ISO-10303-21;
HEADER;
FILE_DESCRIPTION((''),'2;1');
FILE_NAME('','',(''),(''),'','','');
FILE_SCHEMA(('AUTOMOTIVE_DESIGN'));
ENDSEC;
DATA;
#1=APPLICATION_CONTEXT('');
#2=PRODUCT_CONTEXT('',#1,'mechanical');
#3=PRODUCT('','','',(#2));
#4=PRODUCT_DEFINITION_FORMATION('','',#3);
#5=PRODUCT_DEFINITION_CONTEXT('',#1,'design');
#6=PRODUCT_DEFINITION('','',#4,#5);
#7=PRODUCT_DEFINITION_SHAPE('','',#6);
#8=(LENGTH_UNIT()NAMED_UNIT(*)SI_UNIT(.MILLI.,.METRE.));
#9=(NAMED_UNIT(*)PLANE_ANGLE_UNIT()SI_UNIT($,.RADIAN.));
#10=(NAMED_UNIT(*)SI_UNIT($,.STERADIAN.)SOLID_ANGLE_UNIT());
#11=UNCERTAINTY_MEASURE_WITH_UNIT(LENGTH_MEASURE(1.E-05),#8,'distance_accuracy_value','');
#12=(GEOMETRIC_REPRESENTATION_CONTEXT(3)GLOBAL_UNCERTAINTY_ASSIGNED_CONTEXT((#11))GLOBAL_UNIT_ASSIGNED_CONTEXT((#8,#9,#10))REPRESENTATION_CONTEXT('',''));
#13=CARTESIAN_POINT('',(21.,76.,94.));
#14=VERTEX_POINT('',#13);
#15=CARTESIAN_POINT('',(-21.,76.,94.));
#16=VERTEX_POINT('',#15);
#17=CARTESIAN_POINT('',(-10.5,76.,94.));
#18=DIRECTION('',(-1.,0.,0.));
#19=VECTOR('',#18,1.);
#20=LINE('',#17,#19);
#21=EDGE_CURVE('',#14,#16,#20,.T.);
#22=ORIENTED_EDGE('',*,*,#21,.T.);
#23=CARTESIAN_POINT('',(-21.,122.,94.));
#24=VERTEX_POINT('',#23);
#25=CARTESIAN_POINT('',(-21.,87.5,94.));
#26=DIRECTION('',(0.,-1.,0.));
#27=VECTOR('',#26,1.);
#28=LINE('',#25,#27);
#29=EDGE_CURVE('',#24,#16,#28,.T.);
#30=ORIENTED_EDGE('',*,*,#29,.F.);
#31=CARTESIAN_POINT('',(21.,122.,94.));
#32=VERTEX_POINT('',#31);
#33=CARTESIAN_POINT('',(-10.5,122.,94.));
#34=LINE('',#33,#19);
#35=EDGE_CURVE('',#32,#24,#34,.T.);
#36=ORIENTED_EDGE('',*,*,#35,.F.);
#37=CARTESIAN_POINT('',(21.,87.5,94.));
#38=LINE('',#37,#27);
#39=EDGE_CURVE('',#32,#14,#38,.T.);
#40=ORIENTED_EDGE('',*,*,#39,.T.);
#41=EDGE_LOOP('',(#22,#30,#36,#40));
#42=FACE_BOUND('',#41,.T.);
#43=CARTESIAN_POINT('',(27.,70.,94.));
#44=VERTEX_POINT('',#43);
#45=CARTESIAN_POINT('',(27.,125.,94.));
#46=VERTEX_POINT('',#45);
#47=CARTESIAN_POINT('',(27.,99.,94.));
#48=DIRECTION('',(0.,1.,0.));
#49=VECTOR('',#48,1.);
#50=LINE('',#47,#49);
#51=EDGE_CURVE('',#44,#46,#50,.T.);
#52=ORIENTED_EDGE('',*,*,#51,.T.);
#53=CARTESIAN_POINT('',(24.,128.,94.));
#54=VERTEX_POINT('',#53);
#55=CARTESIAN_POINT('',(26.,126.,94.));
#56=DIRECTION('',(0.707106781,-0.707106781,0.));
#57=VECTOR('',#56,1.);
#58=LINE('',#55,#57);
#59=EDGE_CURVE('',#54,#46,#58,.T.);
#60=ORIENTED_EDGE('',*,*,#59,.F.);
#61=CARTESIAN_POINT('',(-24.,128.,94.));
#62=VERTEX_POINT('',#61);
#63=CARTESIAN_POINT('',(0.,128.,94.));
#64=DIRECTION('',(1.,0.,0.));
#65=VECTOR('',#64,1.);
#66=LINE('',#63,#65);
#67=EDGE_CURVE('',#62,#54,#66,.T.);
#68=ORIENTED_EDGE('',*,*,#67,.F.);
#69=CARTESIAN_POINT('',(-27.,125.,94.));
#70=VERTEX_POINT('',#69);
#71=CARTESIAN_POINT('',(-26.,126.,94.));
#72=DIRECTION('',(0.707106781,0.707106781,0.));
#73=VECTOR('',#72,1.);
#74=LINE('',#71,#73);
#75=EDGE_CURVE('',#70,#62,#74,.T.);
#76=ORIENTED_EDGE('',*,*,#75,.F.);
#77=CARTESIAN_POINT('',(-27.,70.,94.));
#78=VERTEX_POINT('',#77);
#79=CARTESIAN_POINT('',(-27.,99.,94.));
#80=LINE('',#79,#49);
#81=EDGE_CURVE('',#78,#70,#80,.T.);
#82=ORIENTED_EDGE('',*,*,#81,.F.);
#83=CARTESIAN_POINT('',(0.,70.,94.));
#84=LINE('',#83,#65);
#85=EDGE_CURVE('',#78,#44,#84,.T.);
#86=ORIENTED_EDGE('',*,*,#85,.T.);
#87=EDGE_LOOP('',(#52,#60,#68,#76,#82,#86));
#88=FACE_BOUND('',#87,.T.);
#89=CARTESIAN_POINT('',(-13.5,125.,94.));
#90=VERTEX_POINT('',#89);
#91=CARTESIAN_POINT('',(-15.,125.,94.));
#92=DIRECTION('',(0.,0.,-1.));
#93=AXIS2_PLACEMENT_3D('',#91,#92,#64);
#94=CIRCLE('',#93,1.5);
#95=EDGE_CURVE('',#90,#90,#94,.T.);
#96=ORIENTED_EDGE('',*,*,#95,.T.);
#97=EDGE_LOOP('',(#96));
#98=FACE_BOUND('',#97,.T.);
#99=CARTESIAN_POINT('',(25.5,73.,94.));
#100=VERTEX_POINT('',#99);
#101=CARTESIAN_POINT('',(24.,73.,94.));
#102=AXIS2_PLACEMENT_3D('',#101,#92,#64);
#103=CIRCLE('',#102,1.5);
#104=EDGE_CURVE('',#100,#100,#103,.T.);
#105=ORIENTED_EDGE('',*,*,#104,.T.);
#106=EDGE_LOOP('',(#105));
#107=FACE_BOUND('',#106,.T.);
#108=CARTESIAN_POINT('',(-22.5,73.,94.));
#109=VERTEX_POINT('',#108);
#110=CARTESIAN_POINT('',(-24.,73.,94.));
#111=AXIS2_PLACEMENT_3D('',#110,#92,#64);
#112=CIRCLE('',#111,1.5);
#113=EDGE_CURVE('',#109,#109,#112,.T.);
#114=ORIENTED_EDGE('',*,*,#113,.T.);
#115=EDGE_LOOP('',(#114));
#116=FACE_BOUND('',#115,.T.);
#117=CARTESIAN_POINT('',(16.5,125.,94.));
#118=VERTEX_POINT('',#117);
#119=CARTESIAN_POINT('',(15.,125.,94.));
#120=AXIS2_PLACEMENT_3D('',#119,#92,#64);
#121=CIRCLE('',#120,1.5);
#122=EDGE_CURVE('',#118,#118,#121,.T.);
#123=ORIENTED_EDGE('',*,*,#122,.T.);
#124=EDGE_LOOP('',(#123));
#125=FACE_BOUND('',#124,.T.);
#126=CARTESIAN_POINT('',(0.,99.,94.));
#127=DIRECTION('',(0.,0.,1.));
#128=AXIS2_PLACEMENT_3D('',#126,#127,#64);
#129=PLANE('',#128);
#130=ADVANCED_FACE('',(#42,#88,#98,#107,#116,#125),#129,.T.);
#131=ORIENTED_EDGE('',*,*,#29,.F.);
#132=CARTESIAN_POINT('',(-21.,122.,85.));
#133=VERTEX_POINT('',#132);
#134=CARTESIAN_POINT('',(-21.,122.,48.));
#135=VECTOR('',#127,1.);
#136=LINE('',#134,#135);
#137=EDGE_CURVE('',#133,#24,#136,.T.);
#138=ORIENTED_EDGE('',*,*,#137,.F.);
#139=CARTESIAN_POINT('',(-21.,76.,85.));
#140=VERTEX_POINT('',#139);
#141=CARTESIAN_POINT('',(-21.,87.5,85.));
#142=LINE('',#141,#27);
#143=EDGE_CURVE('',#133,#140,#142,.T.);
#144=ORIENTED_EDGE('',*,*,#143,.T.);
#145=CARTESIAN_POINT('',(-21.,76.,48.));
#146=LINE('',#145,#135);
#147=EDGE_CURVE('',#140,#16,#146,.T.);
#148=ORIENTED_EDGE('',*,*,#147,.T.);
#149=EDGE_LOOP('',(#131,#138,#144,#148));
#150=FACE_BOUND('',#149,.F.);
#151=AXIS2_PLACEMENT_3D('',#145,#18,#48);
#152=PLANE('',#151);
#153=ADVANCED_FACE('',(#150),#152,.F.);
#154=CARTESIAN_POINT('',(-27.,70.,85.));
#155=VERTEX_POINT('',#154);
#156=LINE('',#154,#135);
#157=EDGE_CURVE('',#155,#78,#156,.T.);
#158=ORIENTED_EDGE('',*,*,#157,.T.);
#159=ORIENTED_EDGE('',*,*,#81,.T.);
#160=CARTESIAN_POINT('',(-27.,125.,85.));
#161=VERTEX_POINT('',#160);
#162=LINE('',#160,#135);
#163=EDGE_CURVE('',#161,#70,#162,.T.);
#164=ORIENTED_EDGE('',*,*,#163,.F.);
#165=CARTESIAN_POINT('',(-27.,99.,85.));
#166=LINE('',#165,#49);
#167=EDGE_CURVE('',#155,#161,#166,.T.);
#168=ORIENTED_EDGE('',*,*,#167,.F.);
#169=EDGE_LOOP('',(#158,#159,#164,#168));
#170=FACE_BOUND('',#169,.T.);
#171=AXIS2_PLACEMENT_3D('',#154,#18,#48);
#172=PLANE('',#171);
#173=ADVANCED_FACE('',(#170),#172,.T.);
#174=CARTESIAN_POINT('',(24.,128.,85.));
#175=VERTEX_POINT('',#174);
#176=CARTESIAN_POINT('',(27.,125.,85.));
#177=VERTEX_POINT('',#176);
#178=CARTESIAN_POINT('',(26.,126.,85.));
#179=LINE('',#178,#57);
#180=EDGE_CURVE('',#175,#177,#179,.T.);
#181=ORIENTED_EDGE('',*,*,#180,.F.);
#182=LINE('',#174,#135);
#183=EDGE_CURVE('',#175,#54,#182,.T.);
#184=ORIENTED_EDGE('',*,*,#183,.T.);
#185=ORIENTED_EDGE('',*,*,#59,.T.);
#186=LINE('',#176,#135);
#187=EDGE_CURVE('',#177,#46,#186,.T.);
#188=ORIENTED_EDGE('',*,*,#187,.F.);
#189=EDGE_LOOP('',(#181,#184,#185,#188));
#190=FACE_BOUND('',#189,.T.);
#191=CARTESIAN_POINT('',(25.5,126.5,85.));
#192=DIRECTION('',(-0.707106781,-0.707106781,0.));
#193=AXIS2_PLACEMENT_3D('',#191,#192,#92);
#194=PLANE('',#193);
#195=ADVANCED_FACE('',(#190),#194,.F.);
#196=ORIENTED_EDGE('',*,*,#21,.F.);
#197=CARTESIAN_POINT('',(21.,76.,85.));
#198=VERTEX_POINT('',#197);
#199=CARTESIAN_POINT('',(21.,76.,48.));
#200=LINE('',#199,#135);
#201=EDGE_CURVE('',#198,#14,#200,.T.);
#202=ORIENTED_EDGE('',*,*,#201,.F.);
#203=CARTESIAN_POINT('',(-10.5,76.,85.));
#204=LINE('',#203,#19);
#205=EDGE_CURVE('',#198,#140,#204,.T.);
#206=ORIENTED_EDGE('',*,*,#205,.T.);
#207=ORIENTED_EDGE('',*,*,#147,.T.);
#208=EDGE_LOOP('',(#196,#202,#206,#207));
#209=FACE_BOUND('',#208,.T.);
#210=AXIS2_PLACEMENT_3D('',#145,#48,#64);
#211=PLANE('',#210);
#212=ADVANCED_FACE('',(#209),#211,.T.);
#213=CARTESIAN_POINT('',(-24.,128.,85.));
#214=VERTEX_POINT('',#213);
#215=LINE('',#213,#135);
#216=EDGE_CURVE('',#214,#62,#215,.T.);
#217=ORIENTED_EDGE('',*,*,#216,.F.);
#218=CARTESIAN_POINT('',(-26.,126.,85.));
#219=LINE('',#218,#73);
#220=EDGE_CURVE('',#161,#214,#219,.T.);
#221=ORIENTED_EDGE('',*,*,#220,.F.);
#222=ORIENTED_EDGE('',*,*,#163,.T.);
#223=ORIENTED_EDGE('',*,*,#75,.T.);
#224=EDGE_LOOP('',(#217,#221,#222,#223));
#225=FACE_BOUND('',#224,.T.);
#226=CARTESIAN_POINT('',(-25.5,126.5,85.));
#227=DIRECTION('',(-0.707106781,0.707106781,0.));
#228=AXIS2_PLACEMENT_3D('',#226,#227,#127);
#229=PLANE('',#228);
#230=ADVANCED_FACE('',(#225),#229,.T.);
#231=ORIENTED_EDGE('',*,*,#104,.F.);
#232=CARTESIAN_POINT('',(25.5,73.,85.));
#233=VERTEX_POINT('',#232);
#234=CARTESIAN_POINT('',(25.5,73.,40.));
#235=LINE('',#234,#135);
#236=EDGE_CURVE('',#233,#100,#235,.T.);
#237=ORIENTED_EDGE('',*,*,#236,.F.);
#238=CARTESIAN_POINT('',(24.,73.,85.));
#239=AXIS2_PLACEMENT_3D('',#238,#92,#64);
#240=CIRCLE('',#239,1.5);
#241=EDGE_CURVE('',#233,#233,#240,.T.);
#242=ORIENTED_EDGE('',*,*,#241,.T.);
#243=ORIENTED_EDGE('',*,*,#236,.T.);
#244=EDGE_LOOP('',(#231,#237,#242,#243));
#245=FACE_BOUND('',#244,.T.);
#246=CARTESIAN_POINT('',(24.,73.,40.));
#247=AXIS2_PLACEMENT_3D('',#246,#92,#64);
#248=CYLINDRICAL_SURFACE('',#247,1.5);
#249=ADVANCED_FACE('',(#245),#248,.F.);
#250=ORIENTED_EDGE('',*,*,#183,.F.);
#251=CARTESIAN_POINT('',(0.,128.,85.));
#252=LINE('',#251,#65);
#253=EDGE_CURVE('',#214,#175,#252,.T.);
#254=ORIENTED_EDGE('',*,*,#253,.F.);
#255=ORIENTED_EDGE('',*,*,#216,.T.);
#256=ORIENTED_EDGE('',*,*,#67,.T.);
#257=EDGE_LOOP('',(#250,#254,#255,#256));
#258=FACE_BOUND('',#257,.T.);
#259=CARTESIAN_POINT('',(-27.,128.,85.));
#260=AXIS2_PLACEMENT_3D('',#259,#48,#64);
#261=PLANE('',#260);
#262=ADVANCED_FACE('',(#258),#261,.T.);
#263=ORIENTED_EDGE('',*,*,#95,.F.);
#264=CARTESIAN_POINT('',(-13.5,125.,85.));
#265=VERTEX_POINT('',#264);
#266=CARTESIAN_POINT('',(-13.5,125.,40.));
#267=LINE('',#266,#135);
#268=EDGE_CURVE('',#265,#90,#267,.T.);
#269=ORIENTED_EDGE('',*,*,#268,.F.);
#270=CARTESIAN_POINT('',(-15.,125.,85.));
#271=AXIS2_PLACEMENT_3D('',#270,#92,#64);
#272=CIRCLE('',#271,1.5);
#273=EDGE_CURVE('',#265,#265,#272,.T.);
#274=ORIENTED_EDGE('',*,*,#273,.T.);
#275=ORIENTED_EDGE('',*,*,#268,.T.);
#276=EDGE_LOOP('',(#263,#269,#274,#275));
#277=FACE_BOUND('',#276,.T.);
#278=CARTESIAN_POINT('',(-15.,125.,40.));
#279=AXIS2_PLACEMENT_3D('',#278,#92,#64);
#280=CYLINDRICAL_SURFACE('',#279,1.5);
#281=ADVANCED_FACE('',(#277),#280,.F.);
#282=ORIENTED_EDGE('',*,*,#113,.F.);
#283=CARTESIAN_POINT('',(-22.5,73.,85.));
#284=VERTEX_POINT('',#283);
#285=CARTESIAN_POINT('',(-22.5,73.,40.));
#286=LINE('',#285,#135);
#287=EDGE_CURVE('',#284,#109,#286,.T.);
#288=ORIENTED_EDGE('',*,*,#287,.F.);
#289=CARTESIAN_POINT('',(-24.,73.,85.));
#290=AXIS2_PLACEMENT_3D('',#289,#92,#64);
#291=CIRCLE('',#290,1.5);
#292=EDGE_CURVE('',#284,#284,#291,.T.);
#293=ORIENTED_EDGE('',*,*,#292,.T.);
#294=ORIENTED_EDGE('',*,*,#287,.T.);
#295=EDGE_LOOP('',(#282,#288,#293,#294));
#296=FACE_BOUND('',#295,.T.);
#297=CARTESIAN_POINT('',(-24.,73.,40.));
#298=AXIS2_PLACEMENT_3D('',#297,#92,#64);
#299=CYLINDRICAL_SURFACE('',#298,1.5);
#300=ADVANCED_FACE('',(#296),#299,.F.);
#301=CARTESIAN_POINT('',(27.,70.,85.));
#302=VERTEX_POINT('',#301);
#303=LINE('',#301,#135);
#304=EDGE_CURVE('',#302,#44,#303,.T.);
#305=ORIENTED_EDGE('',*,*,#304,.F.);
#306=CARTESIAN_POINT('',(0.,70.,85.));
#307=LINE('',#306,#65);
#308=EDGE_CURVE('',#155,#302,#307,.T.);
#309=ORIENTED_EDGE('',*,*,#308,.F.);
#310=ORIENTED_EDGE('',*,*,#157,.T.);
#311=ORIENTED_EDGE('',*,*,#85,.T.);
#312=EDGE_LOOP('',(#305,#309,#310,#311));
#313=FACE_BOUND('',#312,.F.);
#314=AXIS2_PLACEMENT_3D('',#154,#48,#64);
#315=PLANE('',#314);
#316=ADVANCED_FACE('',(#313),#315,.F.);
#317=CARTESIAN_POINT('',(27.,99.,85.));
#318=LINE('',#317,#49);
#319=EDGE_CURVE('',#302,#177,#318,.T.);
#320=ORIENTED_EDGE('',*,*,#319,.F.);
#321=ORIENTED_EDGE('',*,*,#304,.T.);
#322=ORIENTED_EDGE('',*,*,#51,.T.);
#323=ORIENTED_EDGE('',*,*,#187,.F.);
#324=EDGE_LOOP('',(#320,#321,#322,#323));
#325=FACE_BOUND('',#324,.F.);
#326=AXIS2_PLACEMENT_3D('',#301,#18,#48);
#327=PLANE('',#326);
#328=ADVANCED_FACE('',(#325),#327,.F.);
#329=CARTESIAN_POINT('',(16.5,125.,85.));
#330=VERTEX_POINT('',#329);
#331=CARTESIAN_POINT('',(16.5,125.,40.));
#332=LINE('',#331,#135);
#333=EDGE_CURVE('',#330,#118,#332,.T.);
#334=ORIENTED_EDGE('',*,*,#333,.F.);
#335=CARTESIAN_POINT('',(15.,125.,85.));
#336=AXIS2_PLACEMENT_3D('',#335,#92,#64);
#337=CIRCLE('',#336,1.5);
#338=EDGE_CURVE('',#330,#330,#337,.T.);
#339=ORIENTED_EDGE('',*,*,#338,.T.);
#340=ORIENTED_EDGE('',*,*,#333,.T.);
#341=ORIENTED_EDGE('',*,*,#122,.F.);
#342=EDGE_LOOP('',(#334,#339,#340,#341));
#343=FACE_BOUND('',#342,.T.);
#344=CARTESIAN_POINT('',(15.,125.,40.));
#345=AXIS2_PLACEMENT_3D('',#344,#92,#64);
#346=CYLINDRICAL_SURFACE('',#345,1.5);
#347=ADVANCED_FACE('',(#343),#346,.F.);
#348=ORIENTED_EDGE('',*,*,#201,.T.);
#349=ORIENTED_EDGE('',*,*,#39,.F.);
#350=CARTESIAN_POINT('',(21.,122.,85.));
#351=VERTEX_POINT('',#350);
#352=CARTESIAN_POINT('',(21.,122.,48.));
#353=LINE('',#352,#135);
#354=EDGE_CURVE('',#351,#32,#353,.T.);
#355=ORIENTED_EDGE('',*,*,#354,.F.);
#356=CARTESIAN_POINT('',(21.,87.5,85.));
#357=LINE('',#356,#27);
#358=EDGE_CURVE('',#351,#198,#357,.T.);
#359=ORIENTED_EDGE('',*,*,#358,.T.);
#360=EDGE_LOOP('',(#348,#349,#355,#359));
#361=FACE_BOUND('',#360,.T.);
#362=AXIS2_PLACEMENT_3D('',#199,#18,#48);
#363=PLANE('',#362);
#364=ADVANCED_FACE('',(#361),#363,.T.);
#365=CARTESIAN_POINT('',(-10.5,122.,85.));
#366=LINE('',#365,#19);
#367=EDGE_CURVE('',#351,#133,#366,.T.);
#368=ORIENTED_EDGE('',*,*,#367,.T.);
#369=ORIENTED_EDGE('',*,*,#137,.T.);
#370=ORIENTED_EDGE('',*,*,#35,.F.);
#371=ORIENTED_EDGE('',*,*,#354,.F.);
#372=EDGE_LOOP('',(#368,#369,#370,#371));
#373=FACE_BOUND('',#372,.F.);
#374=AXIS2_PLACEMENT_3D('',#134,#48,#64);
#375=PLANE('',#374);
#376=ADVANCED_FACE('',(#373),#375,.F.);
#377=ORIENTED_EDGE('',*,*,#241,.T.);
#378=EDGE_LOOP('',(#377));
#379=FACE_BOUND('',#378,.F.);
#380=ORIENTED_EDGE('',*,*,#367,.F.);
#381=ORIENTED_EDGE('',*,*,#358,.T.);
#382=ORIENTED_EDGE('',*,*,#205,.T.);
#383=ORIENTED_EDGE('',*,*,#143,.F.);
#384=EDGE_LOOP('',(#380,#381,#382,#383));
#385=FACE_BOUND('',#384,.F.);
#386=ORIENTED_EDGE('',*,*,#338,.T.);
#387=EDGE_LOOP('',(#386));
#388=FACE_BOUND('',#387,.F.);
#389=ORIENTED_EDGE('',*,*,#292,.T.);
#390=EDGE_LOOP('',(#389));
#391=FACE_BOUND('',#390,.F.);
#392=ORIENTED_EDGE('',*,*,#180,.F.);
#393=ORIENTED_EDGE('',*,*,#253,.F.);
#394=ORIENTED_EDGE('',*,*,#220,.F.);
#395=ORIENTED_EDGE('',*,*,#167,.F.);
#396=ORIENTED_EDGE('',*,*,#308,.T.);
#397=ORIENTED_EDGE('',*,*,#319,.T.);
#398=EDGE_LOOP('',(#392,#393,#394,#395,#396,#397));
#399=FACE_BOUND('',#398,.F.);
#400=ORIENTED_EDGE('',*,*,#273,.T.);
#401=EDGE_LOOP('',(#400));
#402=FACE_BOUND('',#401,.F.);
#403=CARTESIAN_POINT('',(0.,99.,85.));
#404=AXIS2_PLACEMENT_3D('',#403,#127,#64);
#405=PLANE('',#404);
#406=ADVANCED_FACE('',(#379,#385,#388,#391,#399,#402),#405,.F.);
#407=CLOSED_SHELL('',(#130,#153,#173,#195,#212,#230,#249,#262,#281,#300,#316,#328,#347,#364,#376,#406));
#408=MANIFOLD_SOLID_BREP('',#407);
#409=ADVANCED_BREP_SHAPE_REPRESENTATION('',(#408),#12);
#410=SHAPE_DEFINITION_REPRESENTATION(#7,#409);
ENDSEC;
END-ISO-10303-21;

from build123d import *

# Parameters (mm, degrees)
CYLINDER2800_R     = 1.5
CYLINDER2800_DEPTH = 60
CYLINDER2801_R     = 1.5
CYLINDER2801_DEPTH = 60
CYLINDER2802_R     = 1.5
CYLINDER2802_DEPTH = 60
CYLINDER2799_R     = 1.5
CYLINDER2799_DEPTH = 60
BOX1001_W          = 42
BOX1001_H          = 46
BOX1001_DEPTH      = 50
BOX1000_W          = 54
BOX1000_H          = 58
BOX1000_DEPTH      = 9
CHAMFER146_SIZE    = 3


with BuildPart() as v_lec2770:
    # Cylinder2800 → Cylinder2800 (new body)
    with BuildSketch(Plane(origin=(-24, 73, -80), x_dir=(1, 0, 0), z_dir=(0, 0, 1))):
        Circle(CYLINDER2800_R)
    extrude(amount=CYLINDER2800_DEPTH)


with BuildPart() as v_lec2771:
    # Cylinder2801 → Cylinder2801 (new body)
    with BuildSketch(Plane(origin=(-15, 125, -80), x_dir=(1, 0, 0), z_dir=(0, 0, 1))):
        Circle(CYLINDER2801_R)
    extrude(amount=CYLINDER2801_DEPTH)


with BuildPart() as v_lec2772:
    # Cylinder2802 → Cylinder2802 (new body)
    with BuildSketch(Plane(origin=(15, 125, -80), x_dir=(1, 0, 0), z_dir=(0, 0, 1))):
        Circle(CYLINDER2802_R)
    extrude(amount=CYLINDER2802_DEPTH)


with BuildPart() as compound1251:
    # Cylinder2799 → Cylinder2799 (new body)
    with BuildSketch(Plane(origin=(24, 73, -80), x_dir=(1, 0, 0), z_dir=(0, 0, 1))):
        Circle(CYLINDER2799_R)
    extrude(amount=CYLINDER2799_DEPTH)

    # Compound1251: union Válec2770, Válec2771, Válec2772
    add(v_lec2770.part)
    add(v_lec2771.part)
    add(v_lec2772.part)


with BuildPart() as compound1251_1:
    # Compound1251 placement: moved
    add(compound1251.part.moved(Location((0, 0, 120))))


with BuildPart() as krychle1000:
    # Box1001 → Box1001 (new body)
    with BuildSketch(Plane(origin=(-21, 76, 38), x_dir=(1, 0, 0), z_dir=(0, 0, 1))):
        with Locations((21, 23)):
            Rectangle(BOX1001_W, BOX1001_H)
    extrude(amount=BOX1001_DEPTH)


with BuildPart() as cut1063:
    # Box1000 → Box1000 (new body)
    with BuildSketch(Plane(origin=(-27, 70, 75), x_dir=(1, 0, 0), z_dir=(0, 0, 1))):
        with Locations((27, 29)):
            Rectangle(BOX1000_W, BOX1000_H)
    extrude(amount=BOX1000_DEPTH)

    # Cut1068: cut Krychle1000
    add(krychle1000.part, mode=Mode.SUBTRACT)


with BuildPart() as cut1063_1:
    # Cut1068 placement: moved
    add(cut1063.part.moved(Location((0, 0, 10))))

    # Chamfer146
    chamfer146_edges = [cut1063_1.edges().sort_by_distance(p)[0] for p in [
        (-27, 128, 89.5),
        (27, 128, 89.5),
    ]]
    chamfer(chamfer146_edges, length=CHAMFER146_SIZE)

    # Cut1063: cut Compound1251
    add(compound1251_1.part, mode=Mode.SUBTRACT)


solid = cut1063_1.part
